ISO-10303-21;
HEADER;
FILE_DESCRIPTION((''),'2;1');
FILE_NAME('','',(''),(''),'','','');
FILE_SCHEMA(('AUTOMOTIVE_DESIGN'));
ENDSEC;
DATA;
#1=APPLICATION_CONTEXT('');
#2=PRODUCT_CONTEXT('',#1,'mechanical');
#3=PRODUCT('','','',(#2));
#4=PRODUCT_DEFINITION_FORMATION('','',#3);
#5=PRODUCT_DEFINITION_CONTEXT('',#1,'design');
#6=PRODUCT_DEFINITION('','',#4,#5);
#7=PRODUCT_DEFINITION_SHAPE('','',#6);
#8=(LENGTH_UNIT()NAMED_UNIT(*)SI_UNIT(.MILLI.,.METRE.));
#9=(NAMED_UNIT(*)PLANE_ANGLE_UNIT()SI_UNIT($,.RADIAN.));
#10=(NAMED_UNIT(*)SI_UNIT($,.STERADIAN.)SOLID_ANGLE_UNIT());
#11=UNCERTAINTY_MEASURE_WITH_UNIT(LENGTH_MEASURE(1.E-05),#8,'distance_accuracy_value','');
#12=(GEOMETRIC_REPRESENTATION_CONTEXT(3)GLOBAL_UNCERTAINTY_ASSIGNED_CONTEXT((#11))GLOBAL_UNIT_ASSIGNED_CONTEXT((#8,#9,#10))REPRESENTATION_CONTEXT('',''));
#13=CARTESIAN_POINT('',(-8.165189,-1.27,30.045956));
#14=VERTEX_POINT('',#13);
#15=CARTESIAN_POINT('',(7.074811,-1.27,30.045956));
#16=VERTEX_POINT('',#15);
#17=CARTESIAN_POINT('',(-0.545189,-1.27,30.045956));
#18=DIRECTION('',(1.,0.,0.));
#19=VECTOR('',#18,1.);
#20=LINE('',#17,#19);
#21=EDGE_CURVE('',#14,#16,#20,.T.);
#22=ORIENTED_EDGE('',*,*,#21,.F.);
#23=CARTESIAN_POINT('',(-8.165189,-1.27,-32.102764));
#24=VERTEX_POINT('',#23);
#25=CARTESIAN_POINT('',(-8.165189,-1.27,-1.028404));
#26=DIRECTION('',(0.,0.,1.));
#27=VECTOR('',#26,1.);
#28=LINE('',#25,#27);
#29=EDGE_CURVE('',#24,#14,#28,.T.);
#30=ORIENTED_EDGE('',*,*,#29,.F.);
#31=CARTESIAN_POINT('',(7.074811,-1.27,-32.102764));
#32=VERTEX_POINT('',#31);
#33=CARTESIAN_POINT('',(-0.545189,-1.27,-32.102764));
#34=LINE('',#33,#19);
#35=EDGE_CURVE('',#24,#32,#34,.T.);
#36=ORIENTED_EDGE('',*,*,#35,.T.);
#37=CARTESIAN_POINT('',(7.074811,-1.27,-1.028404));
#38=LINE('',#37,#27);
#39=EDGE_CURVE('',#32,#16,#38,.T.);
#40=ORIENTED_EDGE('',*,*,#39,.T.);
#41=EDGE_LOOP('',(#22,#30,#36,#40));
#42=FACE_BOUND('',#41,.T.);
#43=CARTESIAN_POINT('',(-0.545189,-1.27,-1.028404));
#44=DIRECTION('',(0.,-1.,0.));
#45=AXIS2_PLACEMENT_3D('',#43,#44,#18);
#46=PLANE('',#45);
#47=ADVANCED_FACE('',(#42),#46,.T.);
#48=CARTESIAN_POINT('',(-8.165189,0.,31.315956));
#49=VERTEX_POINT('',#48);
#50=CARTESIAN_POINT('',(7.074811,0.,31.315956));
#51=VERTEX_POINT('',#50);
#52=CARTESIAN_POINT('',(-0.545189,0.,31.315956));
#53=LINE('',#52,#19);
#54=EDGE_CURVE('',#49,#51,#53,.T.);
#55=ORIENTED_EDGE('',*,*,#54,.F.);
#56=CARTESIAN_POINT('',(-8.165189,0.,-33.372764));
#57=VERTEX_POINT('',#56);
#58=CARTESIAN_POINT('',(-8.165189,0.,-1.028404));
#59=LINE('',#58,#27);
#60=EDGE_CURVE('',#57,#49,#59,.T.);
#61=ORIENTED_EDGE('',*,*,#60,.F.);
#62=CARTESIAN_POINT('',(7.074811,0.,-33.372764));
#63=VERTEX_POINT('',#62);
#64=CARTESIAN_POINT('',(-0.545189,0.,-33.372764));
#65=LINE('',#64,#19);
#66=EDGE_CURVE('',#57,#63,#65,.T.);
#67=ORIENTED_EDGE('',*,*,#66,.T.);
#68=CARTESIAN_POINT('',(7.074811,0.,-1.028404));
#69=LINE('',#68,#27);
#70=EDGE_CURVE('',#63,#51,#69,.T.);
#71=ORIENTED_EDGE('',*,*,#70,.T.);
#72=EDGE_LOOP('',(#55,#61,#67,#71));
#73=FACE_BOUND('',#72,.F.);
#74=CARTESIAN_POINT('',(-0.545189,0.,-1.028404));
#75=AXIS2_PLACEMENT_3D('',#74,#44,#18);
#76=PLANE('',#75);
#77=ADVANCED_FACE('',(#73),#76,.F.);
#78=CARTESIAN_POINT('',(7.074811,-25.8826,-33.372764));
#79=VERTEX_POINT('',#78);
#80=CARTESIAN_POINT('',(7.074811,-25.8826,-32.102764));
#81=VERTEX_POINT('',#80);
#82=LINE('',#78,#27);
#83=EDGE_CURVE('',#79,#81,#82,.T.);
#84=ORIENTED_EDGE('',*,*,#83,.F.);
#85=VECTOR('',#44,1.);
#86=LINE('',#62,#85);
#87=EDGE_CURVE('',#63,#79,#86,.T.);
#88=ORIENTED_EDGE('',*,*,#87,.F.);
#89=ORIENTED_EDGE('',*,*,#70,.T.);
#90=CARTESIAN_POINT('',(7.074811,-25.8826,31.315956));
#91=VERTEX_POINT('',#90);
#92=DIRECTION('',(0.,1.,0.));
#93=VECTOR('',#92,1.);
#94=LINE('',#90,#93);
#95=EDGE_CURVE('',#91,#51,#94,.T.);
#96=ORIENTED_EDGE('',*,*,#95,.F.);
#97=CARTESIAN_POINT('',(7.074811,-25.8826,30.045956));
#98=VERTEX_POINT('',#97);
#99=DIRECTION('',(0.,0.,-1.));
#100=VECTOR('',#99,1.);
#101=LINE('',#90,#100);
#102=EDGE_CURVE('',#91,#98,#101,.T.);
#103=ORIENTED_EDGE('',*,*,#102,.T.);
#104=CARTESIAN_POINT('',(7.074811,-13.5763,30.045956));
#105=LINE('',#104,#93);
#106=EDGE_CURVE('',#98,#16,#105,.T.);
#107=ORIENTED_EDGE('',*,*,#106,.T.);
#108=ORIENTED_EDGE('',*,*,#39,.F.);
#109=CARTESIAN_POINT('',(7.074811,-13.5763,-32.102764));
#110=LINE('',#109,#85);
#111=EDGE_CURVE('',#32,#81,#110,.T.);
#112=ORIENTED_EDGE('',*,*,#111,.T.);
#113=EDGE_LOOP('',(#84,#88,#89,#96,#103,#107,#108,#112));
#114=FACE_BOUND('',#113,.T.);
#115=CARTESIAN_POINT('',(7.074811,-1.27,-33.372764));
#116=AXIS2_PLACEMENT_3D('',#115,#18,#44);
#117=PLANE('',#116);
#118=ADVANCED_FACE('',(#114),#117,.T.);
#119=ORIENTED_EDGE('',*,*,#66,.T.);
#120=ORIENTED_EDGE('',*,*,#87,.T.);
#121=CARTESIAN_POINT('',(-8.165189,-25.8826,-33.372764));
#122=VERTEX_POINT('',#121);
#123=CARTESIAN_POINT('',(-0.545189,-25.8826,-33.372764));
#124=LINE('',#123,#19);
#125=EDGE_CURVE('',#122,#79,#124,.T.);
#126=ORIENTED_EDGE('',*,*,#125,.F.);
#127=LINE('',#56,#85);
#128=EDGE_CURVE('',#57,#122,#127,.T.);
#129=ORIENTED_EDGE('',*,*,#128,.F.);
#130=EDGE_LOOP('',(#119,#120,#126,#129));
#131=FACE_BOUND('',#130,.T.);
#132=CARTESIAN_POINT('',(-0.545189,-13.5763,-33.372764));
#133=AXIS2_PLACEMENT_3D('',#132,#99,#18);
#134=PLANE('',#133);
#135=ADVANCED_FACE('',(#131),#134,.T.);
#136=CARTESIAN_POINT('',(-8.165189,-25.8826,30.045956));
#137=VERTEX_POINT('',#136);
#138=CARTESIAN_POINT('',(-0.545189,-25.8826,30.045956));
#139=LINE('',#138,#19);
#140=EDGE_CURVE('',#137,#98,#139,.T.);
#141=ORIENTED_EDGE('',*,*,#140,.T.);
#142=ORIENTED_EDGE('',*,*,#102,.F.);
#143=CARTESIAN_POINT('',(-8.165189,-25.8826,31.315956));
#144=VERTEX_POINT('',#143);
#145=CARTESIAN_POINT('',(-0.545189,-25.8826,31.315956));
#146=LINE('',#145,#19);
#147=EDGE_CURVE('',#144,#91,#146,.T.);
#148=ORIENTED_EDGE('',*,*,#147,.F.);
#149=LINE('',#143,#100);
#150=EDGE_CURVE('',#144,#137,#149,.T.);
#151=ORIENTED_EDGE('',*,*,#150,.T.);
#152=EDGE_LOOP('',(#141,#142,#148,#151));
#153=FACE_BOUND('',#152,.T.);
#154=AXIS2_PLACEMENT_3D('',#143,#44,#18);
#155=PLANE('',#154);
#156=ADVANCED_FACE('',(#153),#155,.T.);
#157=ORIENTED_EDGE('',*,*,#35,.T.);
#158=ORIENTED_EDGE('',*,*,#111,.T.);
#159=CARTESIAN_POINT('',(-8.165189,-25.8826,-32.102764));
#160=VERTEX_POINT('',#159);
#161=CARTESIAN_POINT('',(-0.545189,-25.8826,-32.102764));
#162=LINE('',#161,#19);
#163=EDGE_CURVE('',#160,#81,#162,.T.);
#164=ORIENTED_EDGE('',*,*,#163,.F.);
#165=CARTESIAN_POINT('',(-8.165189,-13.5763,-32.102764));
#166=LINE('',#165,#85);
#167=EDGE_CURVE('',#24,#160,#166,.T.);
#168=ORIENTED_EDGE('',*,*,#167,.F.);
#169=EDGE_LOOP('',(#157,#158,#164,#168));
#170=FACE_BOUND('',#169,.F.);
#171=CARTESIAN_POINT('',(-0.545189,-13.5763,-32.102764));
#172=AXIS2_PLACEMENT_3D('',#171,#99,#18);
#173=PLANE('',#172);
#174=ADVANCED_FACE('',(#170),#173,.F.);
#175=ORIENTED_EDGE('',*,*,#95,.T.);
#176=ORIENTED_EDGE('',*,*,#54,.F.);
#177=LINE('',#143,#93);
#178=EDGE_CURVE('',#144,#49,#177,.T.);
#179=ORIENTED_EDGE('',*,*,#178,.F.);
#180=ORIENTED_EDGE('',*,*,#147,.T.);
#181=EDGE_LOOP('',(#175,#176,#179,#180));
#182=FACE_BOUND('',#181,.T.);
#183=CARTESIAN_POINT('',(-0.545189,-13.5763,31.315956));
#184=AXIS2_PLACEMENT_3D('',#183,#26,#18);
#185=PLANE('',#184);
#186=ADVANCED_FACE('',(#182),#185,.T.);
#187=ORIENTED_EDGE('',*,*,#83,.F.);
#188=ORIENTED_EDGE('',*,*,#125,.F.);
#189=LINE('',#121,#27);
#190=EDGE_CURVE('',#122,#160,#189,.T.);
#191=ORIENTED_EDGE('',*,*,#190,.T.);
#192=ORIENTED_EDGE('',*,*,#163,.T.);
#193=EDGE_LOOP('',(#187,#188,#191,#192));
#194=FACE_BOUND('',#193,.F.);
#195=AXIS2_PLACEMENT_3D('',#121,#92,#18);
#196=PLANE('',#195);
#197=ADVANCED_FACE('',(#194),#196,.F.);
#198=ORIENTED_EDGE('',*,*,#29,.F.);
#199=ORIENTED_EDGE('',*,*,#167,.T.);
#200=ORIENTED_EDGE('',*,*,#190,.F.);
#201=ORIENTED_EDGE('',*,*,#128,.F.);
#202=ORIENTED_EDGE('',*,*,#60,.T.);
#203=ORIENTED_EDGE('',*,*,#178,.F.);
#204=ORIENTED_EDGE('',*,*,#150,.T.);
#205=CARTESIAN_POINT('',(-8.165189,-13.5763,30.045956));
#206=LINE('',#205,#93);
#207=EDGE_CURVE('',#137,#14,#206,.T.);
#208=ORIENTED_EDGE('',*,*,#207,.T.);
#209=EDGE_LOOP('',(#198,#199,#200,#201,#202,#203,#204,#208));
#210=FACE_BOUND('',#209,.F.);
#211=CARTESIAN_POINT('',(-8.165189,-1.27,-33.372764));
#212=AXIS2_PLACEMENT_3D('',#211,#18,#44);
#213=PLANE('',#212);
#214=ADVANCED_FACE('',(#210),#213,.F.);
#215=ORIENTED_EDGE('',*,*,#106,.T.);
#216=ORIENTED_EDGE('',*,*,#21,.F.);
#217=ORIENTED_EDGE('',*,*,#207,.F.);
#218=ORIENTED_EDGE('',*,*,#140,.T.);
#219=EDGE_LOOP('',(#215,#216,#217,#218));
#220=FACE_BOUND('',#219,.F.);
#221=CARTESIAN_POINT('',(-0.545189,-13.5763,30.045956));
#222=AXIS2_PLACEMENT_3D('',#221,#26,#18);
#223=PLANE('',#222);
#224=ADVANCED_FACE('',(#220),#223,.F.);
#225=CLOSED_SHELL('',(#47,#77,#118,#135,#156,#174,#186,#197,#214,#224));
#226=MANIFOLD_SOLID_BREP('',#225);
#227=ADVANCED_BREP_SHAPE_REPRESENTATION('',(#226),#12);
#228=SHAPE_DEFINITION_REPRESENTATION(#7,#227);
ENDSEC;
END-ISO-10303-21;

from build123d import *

# Parameters (mm, degrees)
F0_W     = 15.24
F0_H     = 64.68872
F1_DEPTH = 1.27
F2_W     = 15.24
F2_H     = 24.6126
F3_DEPTH = 1.27
F4_W     = 15.24
F4_H     = 24.6126
F5_DEPTH = 1.27


with BuildPart() as f1:
    # F0 (on Front) → F1 (new body)
    with BuildSketch(Plane.XZ):
        with Locations((-0.545189, -1.028404)):
            Rectangle(F0_W, F0_H)
    extrude(amount=F1_DEPTH)

    # F2 (on face) → F3 (join)
    with BuildSketch(Plane.XY.offset(31.315956)):
        with Locations((-0.545189, -13.5763)):
            Rectangle(F2_W, F2_H)
    extrude(amount=-F3_DEPTH)

    # F4 (on face) → F5 (join)
    with BuildSketch(Plane(origin=(0, 0, -33.372764), x_dir=(1, 0, 0), z_dir=(0, 0, -1))):
        with Locations((-0.545189, 13.5763)):
            Rectangle(F4_W, F4_H)
    extrude(amount=-F5_DEPTH)


solid = f1.part
